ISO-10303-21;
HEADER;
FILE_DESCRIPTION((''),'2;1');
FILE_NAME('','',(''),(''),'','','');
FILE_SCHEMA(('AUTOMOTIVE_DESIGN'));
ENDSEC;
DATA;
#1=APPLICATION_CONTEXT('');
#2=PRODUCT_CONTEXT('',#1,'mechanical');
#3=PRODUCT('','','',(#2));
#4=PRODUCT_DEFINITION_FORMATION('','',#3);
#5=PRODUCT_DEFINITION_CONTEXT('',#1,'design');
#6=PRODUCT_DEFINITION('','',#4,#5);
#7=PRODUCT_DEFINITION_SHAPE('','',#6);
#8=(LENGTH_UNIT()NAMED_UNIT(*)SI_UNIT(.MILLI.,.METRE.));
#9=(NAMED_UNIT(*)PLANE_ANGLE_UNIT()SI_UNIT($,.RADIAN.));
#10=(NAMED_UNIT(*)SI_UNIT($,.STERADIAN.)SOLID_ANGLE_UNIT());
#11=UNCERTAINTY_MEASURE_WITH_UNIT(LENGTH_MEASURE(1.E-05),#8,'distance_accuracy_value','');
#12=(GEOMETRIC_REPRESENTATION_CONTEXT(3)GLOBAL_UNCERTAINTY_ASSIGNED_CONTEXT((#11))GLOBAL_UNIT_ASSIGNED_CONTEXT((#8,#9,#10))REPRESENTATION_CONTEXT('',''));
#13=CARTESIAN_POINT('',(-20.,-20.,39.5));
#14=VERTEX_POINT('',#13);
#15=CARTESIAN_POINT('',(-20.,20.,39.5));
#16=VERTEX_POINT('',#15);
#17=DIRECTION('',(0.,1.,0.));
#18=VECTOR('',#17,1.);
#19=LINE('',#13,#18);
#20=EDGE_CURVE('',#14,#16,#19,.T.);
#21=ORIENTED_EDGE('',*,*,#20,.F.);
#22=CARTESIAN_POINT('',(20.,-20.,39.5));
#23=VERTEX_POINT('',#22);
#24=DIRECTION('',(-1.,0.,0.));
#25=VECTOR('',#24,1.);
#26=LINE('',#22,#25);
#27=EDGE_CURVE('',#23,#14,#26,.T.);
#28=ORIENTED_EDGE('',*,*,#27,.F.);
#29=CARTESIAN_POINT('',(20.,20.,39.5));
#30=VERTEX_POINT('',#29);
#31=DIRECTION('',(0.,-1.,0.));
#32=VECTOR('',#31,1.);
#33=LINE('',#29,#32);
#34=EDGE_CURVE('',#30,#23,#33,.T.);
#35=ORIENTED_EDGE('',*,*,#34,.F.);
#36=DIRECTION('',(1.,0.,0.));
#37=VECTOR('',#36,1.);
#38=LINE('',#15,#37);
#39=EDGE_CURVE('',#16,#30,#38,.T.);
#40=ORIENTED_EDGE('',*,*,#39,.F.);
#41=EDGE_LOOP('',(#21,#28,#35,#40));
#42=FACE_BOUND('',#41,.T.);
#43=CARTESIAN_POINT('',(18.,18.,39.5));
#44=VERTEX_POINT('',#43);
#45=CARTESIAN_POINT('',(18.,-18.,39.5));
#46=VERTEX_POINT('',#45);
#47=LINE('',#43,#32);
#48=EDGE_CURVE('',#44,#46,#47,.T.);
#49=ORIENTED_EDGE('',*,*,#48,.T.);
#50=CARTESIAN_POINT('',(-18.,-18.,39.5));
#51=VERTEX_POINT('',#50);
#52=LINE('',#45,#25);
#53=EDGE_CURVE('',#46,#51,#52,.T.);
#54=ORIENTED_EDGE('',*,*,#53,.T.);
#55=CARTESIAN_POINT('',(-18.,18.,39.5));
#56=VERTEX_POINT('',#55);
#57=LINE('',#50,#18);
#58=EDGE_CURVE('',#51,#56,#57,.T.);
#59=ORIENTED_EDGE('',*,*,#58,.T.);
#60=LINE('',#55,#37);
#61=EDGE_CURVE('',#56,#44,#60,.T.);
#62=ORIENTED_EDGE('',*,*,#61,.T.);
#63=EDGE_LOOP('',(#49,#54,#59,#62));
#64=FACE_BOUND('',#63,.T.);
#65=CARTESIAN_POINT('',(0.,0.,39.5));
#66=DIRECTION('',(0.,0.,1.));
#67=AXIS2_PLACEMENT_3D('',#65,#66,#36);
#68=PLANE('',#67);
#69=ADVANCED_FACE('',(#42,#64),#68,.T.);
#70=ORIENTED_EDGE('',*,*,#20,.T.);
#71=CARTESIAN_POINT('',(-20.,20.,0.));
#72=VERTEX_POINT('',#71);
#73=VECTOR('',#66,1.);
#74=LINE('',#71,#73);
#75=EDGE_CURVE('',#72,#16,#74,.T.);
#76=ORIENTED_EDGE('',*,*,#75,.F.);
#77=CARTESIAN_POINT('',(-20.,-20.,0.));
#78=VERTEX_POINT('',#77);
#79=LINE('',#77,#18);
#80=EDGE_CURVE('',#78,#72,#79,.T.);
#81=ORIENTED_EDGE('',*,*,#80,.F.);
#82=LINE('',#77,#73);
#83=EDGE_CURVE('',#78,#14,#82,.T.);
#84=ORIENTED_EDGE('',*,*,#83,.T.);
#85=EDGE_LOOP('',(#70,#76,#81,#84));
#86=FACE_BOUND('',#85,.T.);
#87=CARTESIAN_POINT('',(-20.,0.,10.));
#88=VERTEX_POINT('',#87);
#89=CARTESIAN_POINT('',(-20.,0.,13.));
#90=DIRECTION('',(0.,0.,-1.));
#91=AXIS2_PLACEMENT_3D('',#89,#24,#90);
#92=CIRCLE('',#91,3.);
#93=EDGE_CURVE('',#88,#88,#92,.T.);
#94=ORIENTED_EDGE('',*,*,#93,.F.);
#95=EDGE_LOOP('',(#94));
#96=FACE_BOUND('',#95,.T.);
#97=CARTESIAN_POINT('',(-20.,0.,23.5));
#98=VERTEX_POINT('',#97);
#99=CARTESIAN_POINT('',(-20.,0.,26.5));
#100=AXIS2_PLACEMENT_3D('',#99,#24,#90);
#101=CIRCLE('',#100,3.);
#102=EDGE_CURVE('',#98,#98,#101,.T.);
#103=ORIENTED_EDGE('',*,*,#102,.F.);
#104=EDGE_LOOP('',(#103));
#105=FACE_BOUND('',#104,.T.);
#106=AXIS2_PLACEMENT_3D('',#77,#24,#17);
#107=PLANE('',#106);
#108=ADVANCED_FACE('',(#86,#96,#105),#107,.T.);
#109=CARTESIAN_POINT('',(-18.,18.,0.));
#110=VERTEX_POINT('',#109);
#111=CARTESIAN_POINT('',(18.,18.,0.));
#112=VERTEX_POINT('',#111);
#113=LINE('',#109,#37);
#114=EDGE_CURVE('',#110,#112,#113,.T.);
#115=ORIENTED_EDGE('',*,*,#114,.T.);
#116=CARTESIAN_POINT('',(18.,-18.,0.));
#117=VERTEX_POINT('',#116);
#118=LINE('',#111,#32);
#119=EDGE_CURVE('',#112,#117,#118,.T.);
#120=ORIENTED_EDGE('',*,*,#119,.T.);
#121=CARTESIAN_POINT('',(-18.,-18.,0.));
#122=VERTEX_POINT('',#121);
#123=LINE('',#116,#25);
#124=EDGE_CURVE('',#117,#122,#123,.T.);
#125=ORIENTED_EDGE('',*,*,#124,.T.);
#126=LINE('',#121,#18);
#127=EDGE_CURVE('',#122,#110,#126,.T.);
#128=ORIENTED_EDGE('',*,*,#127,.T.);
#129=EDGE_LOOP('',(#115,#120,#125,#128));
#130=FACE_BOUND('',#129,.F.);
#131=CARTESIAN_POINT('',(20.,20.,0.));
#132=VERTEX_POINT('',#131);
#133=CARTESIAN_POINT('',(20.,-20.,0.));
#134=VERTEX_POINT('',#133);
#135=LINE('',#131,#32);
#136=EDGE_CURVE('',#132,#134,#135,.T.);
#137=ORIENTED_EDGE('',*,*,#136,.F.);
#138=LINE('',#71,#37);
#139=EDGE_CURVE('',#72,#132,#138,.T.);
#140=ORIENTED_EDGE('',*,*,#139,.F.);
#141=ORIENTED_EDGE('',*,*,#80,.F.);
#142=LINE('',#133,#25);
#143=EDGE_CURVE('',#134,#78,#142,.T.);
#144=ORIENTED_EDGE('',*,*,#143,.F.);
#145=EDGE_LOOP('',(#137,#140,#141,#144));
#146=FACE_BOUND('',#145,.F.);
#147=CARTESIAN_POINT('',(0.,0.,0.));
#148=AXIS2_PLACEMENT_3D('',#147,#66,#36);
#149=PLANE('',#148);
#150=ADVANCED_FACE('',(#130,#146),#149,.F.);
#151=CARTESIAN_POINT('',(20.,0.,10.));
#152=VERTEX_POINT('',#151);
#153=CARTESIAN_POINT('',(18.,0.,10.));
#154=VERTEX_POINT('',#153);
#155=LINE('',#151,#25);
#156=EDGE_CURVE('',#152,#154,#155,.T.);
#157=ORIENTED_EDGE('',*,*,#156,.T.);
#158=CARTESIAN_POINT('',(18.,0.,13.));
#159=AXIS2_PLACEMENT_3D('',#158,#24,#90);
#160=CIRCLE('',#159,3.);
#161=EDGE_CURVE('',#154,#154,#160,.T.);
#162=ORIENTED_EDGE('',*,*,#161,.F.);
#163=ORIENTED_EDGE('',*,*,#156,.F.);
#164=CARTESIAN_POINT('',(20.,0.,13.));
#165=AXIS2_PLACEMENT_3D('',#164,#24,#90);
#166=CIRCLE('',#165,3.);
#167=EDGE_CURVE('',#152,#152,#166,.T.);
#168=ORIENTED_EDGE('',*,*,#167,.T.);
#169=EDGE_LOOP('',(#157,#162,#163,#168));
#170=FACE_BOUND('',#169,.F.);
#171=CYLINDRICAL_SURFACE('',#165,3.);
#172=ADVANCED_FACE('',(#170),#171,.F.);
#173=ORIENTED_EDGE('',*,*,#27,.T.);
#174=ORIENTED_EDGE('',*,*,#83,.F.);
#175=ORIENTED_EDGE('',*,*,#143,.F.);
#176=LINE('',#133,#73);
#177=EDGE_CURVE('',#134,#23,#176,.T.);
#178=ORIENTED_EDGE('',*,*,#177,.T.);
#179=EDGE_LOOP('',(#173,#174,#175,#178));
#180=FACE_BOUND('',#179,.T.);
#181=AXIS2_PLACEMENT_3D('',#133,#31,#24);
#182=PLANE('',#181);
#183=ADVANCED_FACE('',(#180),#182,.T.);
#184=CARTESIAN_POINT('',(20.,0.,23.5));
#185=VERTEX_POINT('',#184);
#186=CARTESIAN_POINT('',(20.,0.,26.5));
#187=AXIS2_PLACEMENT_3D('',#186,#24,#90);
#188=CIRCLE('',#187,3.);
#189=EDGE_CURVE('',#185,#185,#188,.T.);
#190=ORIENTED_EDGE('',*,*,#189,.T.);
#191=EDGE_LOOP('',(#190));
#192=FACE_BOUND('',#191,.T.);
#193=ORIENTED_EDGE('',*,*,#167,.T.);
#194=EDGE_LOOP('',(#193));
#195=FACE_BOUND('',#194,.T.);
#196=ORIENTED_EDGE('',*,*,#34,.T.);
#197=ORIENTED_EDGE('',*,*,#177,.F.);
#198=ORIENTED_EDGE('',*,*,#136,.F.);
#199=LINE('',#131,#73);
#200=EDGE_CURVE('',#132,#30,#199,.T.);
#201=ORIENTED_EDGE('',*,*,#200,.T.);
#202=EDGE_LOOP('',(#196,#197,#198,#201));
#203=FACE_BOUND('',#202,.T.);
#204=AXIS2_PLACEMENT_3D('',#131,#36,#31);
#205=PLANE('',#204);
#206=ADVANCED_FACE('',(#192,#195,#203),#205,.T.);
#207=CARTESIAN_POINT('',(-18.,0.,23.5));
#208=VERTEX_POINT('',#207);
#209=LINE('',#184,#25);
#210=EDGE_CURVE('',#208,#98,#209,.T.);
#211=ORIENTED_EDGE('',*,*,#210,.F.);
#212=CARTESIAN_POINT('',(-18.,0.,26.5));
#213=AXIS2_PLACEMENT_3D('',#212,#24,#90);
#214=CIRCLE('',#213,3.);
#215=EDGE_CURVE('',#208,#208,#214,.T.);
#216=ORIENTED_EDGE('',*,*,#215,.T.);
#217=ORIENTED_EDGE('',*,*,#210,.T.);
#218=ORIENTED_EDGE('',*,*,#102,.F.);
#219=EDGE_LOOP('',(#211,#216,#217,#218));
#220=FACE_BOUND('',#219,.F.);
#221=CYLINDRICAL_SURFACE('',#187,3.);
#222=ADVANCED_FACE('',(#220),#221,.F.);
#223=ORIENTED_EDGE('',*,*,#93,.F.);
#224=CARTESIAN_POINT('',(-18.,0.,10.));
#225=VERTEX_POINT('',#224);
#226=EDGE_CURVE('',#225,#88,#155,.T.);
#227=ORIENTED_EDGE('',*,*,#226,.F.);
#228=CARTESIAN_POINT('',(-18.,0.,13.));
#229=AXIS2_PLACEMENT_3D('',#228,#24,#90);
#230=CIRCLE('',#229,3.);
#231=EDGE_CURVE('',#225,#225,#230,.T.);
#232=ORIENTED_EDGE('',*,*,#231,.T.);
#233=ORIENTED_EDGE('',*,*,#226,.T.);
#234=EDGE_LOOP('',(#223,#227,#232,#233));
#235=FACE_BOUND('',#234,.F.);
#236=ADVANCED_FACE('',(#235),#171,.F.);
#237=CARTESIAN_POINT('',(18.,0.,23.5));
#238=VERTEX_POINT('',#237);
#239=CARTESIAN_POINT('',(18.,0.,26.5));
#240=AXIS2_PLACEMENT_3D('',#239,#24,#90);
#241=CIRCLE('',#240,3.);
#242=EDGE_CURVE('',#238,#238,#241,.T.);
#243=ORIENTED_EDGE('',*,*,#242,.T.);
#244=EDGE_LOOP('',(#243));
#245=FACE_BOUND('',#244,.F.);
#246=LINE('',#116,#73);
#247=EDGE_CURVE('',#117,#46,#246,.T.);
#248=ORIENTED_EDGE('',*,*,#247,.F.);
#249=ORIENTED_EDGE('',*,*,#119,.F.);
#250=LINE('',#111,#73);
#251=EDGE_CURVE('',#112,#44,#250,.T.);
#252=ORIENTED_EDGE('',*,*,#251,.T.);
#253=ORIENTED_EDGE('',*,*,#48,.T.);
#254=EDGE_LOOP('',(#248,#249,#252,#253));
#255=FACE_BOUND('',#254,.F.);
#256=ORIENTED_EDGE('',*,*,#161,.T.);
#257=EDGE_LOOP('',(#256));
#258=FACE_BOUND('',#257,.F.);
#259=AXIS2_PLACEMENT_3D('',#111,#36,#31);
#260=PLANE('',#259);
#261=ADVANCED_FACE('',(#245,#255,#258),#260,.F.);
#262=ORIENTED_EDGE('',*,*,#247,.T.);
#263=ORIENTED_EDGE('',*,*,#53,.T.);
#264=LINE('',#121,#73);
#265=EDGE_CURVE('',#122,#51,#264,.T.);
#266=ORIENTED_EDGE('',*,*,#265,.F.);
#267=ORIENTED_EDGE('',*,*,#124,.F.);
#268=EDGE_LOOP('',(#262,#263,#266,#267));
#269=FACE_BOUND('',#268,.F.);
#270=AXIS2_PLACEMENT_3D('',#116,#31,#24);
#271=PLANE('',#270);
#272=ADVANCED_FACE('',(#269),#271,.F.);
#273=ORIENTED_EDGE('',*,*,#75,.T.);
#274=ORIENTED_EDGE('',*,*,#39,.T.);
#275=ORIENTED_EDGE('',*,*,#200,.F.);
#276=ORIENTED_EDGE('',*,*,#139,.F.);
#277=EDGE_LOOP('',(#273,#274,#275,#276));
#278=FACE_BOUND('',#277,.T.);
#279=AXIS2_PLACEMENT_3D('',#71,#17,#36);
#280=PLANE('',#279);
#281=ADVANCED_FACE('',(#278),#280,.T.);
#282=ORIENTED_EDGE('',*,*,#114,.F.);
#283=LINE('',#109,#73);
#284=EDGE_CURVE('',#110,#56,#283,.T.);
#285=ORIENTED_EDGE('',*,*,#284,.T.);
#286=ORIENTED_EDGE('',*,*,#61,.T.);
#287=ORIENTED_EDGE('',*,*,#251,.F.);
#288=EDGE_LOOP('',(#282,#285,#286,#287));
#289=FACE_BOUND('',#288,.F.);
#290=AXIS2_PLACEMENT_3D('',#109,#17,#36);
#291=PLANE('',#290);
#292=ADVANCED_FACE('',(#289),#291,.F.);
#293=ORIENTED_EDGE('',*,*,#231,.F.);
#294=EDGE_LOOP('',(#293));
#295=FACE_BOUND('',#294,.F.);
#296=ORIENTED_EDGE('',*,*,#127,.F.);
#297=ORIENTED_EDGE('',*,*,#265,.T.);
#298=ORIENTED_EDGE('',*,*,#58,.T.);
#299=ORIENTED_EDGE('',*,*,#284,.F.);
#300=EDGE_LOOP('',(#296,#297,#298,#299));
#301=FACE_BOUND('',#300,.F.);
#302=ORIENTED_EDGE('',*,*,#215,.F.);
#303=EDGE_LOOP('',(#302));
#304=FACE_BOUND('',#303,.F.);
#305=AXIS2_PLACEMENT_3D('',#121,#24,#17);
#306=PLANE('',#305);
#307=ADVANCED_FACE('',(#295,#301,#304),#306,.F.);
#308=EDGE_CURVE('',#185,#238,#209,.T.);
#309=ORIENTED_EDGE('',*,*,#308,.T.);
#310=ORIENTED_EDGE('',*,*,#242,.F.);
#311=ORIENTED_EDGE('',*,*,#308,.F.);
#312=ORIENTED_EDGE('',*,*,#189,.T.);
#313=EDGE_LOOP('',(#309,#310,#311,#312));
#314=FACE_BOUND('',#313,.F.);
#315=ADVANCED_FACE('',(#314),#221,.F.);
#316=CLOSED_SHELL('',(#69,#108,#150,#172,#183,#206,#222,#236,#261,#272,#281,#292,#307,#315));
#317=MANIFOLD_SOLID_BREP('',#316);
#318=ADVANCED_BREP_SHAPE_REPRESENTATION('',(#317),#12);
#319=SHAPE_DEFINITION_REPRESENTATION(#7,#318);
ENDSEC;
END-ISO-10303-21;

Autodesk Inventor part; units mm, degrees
ref_plane "YZ Plane" through (0, 0, 0) normal (1, 0, 0) x (0, 1, 0)
ref_plane "XZ Plane" through (0, 0, 0) normal (0, 1, 0) x (-1, 0, 0)
ref_plane "XY Plane" through (0, 0, 0) normal (0, 0, 1) x (1, 0, 0)
sketch "スケッチ1" plane through (0, 0, 0) normal (0, 0, 1) x (1, 0, 0)
  line L0 (-18, 18) -> (18, 18)
  line L1 (18, 18) -> (18, -18)
  line L2 (18, -18) -> (-18, -18)
  line L3 (-18, -18) -> (-18, 18)
  line L4 (-18, 18) -> (18, -18) construction
  line L5 (18, 18) -> (-18, -18) construction
  line L6 (-20, 20) -> (20, 20)
  line L7 (20, 20) -> (20, -20)
  line L8 (20, -20) -> (-20, -20)
  line L9 (-20, -20) -> (-20, 20)
  line L10 (-20, 20) -> (20, -20) construction
  line L11 (20, 20) -> (-20, -20) construction
  point P0 (0, 0)
  dimension "d0" = 36
  dimension "d1" = 36
  dimension "d2" = 40
  dimension "d3" = 40
extrude "押し出し1" add sketch "スケッチ1" along normal blind 39.5
sketch "スケッチ2" plane through (20, -20, 0) normal (1, 0, 0) x (0, 0, -1)
  line L0 (0, 40) -> (-39.5, 40) projected
  line L1 (0, 40) -> (0, 0) projected
  line L2 (-39.5, 0) -> (-39.5, 40) projected
  point P0 (0, 20)
  point P1 (-13, 20)
  point P2 (-26.5, 20)
  dimension "d13" = 13.5
  dimension "d14" = 20
  dimension "d15" = 13
  dimension "d16" = 13
  dimension "d17" = 20
hole "穴1" at (20, 0, 13) at (20, 0, 26.5) direction (-1, 0, 0) diameter 6 end through all
properties part number "Square pipe" material "アルミニウム 6061"
